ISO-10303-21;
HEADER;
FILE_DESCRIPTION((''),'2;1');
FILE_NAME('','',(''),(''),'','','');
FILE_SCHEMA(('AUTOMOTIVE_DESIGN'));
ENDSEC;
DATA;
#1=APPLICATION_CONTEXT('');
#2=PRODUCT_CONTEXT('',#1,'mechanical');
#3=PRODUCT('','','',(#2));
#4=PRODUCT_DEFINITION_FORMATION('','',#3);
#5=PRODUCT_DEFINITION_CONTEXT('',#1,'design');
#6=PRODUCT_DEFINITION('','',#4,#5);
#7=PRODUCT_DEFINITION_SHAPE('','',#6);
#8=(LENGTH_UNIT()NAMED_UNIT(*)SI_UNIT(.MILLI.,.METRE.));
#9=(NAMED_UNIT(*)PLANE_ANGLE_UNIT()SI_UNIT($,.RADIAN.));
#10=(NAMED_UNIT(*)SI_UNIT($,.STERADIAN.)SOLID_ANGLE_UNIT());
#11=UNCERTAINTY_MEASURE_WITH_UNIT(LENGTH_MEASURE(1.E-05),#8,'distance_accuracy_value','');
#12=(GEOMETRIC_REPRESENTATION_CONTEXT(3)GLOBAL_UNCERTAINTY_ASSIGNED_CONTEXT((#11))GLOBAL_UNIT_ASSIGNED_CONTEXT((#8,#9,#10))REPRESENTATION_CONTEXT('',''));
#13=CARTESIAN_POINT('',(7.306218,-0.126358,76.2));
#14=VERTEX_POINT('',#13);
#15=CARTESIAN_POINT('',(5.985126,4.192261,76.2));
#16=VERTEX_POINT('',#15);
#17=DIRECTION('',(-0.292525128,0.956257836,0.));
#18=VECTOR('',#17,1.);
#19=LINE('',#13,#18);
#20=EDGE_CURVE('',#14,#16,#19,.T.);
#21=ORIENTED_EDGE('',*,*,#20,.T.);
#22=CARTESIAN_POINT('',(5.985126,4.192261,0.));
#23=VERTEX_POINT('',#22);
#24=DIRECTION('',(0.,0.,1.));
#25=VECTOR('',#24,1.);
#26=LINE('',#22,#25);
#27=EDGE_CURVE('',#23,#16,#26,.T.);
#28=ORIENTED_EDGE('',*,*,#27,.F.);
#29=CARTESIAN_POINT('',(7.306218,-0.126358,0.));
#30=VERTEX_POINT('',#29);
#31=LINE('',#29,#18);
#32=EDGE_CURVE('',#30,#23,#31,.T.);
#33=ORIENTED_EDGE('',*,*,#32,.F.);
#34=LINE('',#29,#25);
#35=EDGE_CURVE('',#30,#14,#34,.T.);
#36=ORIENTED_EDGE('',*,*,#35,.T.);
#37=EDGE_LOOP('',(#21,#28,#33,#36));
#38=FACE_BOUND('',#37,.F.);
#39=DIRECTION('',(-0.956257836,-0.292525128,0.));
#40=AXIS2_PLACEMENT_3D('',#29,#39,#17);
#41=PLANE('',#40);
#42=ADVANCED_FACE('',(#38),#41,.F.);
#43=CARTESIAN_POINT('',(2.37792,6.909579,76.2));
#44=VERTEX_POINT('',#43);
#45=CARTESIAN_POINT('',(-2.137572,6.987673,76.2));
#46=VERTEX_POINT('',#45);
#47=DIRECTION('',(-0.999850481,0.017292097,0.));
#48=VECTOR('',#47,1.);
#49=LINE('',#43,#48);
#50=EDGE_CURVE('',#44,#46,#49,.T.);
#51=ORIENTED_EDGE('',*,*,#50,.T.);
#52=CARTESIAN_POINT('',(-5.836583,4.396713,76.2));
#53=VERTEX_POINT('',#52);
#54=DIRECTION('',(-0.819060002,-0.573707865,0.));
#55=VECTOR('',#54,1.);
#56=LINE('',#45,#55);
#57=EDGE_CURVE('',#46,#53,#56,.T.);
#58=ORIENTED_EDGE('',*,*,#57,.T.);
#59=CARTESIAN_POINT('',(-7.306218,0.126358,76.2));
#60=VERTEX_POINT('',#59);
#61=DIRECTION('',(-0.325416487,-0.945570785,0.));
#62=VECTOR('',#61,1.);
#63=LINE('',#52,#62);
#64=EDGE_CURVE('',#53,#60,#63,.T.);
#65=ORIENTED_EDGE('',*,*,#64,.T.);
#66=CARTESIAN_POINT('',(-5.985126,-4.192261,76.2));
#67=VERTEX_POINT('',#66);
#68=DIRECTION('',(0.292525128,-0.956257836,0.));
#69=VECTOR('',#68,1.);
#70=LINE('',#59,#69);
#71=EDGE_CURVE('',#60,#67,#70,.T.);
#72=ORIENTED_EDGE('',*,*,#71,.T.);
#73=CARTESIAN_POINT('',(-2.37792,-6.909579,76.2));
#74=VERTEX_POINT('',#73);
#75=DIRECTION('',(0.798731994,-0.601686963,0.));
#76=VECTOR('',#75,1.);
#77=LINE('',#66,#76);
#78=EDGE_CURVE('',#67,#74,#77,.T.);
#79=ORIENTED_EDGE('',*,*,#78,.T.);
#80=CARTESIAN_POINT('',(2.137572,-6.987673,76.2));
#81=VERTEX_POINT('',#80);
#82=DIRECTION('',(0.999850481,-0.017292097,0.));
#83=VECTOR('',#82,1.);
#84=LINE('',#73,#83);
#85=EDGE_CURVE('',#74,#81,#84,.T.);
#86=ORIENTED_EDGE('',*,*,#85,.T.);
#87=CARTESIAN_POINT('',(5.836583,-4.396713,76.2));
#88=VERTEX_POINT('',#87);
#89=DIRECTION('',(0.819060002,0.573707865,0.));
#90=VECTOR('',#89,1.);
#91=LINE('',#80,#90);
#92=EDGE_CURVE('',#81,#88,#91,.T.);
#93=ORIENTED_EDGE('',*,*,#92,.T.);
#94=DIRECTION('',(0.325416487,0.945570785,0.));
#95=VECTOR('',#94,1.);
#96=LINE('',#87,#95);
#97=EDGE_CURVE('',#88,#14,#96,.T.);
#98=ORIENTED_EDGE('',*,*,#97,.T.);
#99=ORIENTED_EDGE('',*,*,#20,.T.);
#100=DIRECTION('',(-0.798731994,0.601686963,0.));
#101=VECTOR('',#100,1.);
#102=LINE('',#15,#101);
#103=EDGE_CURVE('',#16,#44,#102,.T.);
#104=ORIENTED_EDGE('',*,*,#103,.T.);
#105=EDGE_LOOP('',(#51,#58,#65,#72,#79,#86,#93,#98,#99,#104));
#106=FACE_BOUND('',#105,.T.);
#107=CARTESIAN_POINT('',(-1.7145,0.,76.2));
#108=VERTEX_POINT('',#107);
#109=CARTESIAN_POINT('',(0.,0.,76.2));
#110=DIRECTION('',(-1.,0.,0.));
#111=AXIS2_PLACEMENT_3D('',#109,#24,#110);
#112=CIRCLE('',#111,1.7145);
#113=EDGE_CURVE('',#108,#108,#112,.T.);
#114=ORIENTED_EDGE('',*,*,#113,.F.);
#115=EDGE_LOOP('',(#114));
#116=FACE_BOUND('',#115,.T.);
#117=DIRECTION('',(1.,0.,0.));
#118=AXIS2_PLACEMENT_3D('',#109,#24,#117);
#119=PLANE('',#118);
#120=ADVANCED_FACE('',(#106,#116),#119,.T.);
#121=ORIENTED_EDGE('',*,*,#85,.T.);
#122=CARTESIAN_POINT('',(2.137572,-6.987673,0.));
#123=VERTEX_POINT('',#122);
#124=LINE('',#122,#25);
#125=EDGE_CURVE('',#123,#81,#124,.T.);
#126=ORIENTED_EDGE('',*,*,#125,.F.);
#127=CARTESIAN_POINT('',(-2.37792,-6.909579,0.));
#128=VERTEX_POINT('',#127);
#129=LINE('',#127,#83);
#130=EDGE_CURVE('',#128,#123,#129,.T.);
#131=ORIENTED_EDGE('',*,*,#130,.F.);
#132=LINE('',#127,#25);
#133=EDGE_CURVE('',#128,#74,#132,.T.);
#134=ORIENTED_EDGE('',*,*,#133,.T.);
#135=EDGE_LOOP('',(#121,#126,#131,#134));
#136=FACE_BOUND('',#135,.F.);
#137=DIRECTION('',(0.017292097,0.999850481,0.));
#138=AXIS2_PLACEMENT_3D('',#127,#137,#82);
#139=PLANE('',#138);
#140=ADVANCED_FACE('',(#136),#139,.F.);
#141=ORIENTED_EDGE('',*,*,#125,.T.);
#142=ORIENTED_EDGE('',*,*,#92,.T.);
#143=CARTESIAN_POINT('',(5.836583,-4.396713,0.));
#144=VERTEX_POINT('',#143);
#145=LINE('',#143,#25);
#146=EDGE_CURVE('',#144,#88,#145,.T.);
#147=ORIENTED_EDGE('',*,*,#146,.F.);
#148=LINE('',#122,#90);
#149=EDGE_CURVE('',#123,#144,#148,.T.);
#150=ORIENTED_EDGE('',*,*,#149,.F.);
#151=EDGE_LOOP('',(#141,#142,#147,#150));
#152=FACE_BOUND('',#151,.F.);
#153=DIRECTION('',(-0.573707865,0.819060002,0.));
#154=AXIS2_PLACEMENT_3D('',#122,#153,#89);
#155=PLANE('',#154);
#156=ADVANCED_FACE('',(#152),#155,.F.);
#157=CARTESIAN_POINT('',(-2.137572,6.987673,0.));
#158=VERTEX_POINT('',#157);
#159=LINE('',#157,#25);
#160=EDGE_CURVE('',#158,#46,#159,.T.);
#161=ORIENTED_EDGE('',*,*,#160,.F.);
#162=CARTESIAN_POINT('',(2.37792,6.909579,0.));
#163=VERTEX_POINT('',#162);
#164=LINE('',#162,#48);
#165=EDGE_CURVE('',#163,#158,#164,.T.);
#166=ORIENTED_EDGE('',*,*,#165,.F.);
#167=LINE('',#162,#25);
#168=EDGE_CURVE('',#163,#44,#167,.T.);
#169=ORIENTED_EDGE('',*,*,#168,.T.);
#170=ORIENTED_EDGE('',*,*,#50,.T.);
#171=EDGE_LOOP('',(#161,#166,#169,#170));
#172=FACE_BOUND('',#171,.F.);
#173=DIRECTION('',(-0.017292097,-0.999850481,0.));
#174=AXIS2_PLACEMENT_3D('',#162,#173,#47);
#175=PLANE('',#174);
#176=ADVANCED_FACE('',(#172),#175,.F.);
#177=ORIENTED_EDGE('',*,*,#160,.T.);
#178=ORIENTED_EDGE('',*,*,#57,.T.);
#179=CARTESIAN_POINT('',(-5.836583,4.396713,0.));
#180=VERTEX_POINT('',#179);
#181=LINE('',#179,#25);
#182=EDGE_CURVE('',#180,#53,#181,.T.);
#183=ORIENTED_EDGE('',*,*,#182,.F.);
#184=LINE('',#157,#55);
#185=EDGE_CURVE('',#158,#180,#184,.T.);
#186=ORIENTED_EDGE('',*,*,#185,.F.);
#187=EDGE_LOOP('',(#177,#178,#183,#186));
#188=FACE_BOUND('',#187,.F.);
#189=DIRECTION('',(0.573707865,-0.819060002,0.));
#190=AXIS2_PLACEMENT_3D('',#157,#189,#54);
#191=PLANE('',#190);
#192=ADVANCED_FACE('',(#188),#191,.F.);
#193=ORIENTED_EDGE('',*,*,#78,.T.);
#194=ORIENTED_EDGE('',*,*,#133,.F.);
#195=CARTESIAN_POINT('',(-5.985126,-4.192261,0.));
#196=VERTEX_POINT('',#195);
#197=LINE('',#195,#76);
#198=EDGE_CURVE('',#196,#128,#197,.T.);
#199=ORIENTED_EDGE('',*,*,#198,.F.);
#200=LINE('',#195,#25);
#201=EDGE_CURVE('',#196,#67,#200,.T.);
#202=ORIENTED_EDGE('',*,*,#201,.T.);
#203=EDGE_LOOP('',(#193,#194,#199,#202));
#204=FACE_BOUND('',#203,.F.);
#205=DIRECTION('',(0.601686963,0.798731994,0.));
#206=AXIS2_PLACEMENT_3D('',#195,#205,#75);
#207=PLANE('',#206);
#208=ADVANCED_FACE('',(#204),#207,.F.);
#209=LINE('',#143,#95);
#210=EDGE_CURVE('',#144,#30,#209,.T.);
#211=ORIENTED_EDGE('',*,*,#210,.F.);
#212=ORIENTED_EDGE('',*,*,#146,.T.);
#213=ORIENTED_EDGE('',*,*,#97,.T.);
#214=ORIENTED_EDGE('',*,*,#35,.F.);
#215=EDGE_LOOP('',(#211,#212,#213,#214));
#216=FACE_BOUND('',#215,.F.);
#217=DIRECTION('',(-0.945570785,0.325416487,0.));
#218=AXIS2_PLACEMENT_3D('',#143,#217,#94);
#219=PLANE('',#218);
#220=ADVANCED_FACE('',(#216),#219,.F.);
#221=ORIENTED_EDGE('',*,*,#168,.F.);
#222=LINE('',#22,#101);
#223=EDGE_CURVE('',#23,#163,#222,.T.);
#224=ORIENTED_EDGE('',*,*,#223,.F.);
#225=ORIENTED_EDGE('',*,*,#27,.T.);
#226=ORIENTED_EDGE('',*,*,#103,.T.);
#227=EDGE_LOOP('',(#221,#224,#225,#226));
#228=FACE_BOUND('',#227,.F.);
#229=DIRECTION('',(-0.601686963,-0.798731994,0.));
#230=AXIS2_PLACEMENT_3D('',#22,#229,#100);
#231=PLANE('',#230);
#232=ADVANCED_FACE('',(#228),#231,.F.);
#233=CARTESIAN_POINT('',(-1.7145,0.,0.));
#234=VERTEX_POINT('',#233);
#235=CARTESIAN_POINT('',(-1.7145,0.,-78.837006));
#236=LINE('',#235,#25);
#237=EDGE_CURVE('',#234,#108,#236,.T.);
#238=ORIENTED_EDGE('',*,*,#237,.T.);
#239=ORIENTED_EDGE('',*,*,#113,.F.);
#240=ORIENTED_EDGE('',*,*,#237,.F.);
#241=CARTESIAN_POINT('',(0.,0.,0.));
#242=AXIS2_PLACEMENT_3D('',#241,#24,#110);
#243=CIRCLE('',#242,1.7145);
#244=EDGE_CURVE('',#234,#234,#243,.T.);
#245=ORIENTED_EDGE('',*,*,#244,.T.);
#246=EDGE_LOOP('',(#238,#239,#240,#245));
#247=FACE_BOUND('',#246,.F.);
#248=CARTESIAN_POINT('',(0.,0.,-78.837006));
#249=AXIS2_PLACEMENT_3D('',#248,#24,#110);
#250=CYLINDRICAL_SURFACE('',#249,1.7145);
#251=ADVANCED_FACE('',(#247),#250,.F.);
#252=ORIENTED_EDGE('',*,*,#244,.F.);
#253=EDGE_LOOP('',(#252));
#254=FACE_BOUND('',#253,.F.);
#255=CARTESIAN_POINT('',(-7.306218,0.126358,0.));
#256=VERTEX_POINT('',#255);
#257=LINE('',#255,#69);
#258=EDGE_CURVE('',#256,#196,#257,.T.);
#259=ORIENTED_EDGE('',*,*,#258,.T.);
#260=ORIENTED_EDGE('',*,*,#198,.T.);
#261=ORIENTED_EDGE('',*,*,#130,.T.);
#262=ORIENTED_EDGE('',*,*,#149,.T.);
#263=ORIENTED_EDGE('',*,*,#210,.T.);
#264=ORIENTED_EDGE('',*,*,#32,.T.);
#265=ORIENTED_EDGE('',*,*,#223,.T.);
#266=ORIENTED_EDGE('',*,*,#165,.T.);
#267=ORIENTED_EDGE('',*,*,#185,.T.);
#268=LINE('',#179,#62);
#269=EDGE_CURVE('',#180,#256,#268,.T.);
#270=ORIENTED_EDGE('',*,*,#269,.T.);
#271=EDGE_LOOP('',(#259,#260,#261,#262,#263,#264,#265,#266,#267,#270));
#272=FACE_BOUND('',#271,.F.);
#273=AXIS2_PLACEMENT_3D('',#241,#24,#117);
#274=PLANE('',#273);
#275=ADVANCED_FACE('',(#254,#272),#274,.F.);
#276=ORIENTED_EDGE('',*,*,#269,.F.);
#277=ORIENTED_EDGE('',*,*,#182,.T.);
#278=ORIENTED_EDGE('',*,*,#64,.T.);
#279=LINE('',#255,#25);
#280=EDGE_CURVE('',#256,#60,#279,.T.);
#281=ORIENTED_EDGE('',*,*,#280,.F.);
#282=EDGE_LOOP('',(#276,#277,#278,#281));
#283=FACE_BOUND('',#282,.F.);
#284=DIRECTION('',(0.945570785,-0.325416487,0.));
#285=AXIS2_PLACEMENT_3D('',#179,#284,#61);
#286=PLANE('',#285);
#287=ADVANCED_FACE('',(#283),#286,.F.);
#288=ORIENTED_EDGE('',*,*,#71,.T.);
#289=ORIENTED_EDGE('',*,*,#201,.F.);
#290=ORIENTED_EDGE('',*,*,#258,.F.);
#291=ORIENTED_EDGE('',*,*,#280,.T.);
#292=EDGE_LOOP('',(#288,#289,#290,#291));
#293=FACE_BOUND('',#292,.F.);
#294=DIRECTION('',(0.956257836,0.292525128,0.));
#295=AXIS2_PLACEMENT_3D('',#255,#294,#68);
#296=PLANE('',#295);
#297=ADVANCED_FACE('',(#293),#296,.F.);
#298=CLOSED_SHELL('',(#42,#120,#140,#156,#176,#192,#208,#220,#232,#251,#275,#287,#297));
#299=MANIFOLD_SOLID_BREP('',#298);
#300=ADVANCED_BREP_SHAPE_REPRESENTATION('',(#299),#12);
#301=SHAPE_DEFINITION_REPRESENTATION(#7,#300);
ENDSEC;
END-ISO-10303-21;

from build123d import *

# Parameters (mm, degrees)
F1_DEPTH = 76.2
F3_D     = 3.429


with BuildPart() as f1:
    # F0 (on Top) → F1 (new body)
    with BuildSketch(Plane.XY):
        Polygon((-7.306218, 0.126358), (-5.985126, -4.192261), (-2.37792, -6.909579), (2.137572, -6.987673), (5.836583, -4.396713), (7.306218, -0.126358), (5.985126, 4.192261), (2.37792, 6.909579), (-2.137572, 6.987673), (-5.836583, 4.396713), align=None)
    extrude(amount=F1_DEPTH)

    # F3 (through all)
    with Locations(Plane(origin=(0, 0, 0), x_dir=(1, 0, 0), z_dir=(0, 0, -1))):
        with Locations((0, 0)):
            Hole(F3_D / 2)


solid = f1.part
